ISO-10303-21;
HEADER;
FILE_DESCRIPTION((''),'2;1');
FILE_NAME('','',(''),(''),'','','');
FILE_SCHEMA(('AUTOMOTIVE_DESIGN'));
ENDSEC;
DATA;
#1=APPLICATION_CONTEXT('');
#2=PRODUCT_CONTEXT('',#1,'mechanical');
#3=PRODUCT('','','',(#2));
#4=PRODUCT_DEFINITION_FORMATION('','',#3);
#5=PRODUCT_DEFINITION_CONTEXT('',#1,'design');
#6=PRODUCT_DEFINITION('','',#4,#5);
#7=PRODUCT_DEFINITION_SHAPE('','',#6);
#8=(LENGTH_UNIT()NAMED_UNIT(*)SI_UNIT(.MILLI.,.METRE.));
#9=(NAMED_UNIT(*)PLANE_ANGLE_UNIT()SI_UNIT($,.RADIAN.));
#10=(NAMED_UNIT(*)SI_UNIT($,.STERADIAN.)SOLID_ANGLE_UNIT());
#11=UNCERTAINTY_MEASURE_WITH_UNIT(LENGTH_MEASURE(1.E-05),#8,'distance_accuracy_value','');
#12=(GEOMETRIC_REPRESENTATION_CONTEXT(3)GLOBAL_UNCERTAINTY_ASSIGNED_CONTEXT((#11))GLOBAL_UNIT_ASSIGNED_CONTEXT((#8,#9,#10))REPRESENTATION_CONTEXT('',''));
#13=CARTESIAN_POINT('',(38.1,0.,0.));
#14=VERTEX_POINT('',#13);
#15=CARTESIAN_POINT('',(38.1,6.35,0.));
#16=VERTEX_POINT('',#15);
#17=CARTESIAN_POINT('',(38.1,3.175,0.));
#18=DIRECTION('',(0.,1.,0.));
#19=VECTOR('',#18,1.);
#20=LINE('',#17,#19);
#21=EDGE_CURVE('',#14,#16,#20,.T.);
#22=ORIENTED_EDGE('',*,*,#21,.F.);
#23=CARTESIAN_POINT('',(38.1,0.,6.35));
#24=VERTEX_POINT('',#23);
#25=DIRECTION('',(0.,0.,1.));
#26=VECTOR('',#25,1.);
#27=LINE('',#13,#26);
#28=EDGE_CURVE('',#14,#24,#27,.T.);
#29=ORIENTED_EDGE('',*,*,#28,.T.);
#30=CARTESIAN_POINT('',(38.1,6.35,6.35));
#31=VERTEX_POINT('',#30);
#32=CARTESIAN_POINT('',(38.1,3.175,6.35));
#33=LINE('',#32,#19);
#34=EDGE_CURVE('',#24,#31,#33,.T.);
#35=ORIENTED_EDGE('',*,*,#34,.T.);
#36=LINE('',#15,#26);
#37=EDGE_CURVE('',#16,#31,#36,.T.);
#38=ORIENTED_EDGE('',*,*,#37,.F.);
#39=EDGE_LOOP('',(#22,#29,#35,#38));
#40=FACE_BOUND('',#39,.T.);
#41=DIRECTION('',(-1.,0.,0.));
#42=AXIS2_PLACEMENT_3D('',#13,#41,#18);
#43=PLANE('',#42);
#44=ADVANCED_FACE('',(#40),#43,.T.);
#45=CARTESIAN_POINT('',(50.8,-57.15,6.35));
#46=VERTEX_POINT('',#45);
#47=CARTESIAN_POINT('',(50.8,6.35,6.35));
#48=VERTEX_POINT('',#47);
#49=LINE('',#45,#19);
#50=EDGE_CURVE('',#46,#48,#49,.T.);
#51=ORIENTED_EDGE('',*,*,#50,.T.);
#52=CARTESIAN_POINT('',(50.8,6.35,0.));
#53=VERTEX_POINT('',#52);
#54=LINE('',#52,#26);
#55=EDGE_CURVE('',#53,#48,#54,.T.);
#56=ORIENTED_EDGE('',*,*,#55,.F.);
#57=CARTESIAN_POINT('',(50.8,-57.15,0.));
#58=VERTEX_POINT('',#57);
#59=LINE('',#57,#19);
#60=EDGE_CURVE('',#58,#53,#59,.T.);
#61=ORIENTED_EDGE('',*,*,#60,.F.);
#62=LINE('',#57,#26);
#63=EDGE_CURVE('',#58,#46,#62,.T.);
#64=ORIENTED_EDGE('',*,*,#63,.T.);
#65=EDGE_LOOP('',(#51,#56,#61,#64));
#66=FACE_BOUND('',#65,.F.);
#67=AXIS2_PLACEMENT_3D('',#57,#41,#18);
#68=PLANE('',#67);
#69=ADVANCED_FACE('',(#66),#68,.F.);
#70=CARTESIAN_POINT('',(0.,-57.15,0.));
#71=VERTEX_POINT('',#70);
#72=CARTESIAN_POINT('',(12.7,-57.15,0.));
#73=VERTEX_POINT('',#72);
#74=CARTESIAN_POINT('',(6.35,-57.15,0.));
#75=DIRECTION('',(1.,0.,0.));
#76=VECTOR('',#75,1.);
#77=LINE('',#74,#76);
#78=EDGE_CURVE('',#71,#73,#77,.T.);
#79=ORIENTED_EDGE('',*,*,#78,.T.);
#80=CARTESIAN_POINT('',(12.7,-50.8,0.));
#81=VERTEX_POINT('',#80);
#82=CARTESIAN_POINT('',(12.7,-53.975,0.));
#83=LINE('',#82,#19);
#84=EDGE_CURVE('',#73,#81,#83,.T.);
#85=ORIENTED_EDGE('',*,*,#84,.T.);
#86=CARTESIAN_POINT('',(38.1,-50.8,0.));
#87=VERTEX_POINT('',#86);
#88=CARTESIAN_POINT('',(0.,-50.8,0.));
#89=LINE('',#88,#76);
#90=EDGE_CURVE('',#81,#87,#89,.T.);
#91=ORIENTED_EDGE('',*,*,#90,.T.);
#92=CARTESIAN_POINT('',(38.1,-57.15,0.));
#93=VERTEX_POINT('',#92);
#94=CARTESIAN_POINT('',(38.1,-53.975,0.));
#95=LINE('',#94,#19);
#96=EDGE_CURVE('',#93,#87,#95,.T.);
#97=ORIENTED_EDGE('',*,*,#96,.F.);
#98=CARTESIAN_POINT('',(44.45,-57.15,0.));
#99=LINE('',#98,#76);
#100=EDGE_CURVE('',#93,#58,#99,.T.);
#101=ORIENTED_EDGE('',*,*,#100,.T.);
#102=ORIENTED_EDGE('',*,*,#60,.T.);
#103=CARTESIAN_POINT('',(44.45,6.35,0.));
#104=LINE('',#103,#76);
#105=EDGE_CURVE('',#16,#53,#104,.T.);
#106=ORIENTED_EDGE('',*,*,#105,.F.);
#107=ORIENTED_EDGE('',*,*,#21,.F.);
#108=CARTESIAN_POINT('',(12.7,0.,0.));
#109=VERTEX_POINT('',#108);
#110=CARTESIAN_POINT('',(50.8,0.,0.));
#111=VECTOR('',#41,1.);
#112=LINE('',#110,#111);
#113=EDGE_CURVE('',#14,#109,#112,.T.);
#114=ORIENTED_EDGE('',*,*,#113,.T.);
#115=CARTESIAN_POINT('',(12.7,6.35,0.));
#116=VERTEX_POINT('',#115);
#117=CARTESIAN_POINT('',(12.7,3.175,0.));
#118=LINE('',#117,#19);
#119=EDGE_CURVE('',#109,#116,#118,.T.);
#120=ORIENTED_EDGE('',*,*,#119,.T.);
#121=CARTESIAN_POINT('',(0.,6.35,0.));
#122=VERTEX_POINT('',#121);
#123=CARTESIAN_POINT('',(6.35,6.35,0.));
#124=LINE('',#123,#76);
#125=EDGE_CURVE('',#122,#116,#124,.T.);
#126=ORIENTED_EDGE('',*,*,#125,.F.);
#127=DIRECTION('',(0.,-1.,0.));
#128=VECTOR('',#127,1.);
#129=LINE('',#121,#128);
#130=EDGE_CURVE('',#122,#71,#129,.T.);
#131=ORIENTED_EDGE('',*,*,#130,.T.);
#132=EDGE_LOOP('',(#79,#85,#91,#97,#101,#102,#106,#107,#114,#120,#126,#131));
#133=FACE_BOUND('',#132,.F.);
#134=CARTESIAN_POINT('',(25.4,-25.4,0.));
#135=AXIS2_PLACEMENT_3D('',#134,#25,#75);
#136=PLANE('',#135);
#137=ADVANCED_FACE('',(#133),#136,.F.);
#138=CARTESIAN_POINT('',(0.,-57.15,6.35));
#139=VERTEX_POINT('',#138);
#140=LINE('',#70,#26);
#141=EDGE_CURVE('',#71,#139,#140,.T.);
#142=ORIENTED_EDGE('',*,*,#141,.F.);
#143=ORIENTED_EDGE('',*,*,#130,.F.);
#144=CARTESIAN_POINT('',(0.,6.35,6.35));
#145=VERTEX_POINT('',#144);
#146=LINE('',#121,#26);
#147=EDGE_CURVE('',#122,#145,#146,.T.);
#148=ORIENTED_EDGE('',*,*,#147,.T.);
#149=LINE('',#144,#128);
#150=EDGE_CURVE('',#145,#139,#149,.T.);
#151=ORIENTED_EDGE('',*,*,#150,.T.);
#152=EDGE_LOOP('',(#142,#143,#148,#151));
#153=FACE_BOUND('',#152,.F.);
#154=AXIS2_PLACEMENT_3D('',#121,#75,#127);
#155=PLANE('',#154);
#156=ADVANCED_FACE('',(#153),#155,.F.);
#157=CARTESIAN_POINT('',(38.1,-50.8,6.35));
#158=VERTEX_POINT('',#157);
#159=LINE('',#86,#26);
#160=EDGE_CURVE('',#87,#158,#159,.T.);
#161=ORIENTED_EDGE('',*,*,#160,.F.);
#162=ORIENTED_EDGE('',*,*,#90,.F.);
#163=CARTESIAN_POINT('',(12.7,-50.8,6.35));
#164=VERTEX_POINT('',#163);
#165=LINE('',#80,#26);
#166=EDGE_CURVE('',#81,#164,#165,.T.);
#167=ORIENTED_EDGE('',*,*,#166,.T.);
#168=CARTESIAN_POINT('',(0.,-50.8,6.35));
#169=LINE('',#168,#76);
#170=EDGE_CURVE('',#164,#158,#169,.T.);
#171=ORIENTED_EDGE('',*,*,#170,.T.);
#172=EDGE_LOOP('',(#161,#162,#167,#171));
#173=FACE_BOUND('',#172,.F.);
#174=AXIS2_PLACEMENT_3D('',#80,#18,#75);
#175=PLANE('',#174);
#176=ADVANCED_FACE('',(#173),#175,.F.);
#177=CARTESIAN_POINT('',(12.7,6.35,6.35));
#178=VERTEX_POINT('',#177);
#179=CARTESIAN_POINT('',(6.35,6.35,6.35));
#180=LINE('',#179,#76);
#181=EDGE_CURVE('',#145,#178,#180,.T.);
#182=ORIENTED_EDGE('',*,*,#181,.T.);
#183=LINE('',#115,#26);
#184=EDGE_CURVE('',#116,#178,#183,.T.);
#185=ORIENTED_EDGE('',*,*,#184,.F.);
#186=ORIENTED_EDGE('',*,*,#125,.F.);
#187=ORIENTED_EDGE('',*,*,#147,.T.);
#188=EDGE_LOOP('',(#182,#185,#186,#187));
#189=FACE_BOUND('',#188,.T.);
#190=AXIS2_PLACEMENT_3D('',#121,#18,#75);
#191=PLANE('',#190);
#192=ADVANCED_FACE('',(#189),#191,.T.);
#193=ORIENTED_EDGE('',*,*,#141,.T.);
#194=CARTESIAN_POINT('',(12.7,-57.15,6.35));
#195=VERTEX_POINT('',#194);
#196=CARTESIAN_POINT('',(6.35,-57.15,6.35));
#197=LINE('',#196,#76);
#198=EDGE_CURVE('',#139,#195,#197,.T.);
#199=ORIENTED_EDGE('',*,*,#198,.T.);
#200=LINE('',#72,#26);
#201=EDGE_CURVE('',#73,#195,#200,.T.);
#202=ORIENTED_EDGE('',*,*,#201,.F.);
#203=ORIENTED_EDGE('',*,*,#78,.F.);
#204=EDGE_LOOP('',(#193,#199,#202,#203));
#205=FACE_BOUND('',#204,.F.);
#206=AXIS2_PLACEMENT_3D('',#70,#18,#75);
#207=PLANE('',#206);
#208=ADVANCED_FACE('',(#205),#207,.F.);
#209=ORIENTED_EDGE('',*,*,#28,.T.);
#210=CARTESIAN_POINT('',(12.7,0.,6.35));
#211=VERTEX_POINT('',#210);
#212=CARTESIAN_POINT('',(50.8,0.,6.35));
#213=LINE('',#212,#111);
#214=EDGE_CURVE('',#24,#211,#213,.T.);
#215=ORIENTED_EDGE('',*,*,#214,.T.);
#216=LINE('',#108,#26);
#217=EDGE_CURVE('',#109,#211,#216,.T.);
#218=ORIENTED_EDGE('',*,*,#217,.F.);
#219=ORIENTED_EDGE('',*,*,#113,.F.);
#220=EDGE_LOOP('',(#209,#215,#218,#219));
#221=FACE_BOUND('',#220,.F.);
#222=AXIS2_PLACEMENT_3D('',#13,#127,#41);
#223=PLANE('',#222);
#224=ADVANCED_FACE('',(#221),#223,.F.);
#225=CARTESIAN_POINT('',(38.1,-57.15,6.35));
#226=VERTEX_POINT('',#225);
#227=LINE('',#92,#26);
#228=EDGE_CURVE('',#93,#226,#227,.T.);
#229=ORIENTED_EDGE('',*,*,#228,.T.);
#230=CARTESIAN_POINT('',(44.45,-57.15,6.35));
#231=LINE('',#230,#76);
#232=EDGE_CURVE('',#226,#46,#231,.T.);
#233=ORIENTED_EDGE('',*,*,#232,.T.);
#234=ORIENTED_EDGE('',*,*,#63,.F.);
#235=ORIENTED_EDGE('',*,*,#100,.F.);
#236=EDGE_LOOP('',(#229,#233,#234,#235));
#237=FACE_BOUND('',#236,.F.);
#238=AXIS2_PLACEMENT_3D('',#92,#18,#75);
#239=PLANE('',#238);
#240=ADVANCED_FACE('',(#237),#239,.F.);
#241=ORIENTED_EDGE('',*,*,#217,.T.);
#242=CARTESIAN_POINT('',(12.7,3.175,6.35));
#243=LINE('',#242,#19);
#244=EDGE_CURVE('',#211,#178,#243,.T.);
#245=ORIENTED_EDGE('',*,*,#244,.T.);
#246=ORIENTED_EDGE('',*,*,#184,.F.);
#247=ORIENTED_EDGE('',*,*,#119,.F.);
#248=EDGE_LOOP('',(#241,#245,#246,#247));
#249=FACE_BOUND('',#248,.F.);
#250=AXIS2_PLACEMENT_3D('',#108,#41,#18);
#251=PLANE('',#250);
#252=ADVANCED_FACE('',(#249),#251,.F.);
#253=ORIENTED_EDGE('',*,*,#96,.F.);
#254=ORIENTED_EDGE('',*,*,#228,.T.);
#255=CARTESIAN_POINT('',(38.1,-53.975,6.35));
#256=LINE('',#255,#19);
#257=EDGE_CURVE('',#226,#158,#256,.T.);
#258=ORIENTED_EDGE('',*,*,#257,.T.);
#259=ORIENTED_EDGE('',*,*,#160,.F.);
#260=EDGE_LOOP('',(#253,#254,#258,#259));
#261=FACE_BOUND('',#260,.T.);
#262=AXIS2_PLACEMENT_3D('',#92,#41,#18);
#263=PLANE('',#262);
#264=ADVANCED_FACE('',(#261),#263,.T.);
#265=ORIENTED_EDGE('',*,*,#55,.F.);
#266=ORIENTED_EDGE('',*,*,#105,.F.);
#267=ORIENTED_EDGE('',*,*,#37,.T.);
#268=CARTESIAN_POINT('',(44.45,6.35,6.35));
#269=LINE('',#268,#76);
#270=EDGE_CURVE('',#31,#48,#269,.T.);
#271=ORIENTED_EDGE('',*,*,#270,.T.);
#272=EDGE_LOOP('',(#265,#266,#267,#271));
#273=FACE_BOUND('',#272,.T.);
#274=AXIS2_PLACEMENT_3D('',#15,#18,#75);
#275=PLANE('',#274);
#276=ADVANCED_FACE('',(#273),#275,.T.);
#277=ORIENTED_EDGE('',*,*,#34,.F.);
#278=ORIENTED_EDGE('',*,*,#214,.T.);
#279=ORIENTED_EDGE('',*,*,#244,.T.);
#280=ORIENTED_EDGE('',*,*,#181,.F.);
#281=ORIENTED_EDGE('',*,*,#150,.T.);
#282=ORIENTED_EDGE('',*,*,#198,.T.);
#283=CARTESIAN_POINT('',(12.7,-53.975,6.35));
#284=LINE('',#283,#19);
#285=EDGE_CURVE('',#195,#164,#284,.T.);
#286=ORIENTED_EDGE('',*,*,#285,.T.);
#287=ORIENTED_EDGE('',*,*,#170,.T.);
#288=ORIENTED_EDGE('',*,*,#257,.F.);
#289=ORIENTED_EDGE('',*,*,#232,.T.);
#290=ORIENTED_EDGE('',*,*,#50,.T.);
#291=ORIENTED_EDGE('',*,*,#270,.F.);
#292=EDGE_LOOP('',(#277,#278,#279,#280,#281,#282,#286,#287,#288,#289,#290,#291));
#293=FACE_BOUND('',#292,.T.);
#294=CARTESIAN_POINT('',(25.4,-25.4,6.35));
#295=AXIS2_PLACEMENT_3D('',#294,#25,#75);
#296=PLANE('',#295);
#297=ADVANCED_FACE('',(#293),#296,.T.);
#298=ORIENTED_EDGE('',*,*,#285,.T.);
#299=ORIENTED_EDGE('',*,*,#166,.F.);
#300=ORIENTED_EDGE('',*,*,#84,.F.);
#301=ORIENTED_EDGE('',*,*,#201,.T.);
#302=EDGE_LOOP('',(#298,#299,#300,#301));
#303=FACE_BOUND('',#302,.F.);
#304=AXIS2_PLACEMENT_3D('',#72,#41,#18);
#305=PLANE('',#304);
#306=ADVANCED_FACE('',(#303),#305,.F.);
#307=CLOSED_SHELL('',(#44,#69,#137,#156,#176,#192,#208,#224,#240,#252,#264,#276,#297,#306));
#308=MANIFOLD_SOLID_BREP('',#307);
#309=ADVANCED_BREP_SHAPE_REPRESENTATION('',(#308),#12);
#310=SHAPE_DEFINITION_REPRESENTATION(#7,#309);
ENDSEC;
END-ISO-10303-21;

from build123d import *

# Parameters (mm, degrees)
F0_W     = 12.7
F0_H     = 6.35
F1_DEPTH = 6.35


with BuildPart() as f1:
    # F0 (on Top) → F1 (new body)
    with BuildSketch(Plane.XY):
        Polygon((12.7, 0), (0, 0), (0, -50.8), (12.7, -50.8), (38.1, -50.8), (50.8, -50.8), (50.8, 0), (38.1, 0), align=None)
        with Locations((6.35, -53.975)):
            Rectangle(F0_W, F0_H)
        with Locations((44.45, -53.975)):
            Rectangle(F0_W, F0_H)
        with Locations((6.35, 3.175)):
            Rectangle(F0_W, F0_H)
        with Locations((44.45, 3.175)):
            Rectangle(F0_W, F0_H)
    extrude(amount=F1_DEPTH)


solid = f1.part
